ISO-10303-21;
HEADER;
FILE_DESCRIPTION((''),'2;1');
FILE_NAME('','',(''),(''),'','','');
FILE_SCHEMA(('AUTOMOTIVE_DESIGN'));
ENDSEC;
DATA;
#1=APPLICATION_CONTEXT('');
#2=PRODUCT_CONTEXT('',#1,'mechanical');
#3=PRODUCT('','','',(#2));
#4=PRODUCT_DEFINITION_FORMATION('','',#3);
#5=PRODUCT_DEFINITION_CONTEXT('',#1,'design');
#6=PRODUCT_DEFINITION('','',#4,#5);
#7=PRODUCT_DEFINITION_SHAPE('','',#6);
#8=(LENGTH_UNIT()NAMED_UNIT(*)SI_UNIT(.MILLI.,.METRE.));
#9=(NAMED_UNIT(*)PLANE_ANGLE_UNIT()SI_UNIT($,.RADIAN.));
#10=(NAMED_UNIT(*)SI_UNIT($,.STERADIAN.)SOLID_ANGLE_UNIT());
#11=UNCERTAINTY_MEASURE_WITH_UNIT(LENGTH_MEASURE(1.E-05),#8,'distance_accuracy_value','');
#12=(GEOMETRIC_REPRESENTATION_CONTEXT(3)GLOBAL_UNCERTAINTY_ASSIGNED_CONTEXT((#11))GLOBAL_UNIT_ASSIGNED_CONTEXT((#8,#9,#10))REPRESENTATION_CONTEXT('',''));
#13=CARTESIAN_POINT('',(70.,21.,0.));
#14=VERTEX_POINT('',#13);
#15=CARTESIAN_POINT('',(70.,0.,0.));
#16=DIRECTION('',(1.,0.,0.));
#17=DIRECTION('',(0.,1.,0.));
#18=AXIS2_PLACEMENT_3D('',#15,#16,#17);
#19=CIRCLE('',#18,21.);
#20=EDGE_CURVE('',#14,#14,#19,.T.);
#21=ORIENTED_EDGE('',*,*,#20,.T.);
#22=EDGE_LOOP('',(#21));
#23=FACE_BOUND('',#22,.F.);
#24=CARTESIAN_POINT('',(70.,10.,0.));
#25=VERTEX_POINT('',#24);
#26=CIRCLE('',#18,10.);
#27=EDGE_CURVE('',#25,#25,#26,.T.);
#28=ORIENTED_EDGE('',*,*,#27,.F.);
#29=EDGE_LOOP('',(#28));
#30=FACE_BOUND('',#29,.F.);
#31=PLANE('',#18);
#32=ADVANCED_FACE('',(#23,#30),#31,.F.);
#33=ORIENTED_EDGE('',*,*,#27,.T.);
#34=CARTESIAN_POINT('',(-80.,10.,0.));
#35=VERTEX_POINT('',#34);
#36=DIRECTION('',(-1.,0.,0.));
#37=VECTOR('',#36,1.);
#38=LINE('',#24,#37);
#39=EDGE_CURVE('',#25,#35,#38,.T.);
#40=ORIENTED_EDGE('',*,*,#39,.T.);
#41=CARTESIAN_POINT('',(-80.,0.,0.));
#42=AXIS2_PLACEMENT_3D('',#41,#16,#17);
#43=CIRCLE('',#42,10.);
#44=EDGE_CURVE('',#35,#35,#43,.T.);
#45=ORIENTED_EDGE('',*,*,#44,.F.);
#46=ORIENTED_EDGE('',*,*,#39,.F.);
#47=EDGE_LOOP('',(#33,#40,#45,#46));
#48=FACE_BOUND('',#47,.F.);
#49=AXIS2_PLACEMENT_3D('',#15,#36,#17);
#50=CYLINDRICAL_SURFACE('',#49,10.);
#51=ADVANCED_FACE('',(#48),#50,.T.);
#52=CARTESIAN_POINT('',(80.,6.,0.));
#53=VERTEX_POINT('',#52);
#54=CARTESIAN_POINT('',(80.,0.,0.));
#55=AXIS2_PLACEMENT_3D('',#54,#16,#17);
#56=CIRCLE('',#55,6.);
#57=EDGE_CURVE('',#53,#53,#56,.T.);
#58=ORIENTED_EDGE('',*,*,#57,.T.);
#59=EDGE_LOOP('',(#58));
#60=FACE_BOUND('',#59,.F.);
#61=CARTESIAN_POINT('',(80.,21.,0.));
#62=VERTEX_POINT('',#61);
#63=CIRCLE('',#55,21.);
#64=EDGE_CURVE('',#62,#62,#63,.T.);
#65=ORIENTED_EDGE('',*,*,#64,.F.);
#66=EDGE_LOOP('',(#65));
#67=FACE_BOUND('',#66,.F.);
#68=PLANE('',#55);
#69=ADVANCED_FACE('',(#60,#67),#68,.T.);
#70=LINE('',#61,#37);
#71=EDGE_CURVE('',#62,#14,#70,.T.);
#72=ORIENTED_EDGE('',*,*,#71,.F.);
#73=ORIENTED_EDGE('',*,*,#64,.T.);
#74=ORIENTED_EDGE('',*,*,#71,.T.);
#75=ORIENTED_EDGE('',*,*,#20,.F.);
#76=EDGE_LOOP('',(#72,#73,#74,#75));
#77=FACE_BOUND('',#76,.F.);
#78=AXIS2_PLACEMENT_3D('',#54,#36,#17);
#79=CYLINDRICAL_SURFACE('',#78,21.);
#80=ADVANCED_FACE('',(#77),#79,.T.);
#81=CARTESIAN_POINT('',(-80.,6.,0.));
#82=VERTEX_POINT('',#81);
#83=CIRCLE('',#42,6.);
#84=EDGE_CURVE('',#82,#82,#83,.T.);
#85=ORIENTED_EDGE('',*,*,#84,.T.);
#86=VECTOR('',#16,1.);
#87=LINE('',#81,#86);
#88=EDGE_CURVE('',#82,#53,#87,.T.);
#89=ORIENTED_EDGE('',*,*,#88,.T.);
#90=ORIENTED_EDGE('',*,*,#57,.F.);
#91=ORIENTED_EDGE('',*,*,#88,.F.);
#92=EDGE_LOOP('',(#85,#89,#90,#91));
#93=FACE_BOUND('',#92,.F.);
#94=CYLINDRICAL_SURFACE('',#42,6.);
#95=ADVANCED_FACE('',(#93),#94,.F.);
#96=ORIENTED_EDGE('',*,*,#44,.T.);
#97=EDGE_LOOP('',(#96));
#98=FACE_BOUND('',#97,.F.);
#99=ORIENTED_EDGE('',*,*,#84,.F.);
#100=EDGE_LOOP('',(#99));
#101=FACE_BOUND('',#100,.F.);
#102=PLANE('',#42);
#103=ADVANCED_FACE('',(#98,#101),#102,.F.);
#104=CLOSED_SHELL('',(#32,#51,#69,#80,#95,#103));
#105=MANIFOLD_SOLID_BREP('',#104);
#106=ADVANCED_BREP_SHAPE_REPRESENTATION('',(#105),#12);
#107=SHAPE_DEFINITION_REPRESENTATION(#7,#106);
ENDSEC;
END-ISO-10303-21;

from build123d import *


with BuildPart() as part:
    # Sketch001 → Revolution (revolve)
    with BuildSketch(Plane.XY):
        Polygon((-80, 6), (80, 6), (80, 21), (70, 21), (70, 10), (-80, 10), align=None)
    revolve(axis=Axis((0, 0, 0), (1, 0, 0)))


solid = part.part
